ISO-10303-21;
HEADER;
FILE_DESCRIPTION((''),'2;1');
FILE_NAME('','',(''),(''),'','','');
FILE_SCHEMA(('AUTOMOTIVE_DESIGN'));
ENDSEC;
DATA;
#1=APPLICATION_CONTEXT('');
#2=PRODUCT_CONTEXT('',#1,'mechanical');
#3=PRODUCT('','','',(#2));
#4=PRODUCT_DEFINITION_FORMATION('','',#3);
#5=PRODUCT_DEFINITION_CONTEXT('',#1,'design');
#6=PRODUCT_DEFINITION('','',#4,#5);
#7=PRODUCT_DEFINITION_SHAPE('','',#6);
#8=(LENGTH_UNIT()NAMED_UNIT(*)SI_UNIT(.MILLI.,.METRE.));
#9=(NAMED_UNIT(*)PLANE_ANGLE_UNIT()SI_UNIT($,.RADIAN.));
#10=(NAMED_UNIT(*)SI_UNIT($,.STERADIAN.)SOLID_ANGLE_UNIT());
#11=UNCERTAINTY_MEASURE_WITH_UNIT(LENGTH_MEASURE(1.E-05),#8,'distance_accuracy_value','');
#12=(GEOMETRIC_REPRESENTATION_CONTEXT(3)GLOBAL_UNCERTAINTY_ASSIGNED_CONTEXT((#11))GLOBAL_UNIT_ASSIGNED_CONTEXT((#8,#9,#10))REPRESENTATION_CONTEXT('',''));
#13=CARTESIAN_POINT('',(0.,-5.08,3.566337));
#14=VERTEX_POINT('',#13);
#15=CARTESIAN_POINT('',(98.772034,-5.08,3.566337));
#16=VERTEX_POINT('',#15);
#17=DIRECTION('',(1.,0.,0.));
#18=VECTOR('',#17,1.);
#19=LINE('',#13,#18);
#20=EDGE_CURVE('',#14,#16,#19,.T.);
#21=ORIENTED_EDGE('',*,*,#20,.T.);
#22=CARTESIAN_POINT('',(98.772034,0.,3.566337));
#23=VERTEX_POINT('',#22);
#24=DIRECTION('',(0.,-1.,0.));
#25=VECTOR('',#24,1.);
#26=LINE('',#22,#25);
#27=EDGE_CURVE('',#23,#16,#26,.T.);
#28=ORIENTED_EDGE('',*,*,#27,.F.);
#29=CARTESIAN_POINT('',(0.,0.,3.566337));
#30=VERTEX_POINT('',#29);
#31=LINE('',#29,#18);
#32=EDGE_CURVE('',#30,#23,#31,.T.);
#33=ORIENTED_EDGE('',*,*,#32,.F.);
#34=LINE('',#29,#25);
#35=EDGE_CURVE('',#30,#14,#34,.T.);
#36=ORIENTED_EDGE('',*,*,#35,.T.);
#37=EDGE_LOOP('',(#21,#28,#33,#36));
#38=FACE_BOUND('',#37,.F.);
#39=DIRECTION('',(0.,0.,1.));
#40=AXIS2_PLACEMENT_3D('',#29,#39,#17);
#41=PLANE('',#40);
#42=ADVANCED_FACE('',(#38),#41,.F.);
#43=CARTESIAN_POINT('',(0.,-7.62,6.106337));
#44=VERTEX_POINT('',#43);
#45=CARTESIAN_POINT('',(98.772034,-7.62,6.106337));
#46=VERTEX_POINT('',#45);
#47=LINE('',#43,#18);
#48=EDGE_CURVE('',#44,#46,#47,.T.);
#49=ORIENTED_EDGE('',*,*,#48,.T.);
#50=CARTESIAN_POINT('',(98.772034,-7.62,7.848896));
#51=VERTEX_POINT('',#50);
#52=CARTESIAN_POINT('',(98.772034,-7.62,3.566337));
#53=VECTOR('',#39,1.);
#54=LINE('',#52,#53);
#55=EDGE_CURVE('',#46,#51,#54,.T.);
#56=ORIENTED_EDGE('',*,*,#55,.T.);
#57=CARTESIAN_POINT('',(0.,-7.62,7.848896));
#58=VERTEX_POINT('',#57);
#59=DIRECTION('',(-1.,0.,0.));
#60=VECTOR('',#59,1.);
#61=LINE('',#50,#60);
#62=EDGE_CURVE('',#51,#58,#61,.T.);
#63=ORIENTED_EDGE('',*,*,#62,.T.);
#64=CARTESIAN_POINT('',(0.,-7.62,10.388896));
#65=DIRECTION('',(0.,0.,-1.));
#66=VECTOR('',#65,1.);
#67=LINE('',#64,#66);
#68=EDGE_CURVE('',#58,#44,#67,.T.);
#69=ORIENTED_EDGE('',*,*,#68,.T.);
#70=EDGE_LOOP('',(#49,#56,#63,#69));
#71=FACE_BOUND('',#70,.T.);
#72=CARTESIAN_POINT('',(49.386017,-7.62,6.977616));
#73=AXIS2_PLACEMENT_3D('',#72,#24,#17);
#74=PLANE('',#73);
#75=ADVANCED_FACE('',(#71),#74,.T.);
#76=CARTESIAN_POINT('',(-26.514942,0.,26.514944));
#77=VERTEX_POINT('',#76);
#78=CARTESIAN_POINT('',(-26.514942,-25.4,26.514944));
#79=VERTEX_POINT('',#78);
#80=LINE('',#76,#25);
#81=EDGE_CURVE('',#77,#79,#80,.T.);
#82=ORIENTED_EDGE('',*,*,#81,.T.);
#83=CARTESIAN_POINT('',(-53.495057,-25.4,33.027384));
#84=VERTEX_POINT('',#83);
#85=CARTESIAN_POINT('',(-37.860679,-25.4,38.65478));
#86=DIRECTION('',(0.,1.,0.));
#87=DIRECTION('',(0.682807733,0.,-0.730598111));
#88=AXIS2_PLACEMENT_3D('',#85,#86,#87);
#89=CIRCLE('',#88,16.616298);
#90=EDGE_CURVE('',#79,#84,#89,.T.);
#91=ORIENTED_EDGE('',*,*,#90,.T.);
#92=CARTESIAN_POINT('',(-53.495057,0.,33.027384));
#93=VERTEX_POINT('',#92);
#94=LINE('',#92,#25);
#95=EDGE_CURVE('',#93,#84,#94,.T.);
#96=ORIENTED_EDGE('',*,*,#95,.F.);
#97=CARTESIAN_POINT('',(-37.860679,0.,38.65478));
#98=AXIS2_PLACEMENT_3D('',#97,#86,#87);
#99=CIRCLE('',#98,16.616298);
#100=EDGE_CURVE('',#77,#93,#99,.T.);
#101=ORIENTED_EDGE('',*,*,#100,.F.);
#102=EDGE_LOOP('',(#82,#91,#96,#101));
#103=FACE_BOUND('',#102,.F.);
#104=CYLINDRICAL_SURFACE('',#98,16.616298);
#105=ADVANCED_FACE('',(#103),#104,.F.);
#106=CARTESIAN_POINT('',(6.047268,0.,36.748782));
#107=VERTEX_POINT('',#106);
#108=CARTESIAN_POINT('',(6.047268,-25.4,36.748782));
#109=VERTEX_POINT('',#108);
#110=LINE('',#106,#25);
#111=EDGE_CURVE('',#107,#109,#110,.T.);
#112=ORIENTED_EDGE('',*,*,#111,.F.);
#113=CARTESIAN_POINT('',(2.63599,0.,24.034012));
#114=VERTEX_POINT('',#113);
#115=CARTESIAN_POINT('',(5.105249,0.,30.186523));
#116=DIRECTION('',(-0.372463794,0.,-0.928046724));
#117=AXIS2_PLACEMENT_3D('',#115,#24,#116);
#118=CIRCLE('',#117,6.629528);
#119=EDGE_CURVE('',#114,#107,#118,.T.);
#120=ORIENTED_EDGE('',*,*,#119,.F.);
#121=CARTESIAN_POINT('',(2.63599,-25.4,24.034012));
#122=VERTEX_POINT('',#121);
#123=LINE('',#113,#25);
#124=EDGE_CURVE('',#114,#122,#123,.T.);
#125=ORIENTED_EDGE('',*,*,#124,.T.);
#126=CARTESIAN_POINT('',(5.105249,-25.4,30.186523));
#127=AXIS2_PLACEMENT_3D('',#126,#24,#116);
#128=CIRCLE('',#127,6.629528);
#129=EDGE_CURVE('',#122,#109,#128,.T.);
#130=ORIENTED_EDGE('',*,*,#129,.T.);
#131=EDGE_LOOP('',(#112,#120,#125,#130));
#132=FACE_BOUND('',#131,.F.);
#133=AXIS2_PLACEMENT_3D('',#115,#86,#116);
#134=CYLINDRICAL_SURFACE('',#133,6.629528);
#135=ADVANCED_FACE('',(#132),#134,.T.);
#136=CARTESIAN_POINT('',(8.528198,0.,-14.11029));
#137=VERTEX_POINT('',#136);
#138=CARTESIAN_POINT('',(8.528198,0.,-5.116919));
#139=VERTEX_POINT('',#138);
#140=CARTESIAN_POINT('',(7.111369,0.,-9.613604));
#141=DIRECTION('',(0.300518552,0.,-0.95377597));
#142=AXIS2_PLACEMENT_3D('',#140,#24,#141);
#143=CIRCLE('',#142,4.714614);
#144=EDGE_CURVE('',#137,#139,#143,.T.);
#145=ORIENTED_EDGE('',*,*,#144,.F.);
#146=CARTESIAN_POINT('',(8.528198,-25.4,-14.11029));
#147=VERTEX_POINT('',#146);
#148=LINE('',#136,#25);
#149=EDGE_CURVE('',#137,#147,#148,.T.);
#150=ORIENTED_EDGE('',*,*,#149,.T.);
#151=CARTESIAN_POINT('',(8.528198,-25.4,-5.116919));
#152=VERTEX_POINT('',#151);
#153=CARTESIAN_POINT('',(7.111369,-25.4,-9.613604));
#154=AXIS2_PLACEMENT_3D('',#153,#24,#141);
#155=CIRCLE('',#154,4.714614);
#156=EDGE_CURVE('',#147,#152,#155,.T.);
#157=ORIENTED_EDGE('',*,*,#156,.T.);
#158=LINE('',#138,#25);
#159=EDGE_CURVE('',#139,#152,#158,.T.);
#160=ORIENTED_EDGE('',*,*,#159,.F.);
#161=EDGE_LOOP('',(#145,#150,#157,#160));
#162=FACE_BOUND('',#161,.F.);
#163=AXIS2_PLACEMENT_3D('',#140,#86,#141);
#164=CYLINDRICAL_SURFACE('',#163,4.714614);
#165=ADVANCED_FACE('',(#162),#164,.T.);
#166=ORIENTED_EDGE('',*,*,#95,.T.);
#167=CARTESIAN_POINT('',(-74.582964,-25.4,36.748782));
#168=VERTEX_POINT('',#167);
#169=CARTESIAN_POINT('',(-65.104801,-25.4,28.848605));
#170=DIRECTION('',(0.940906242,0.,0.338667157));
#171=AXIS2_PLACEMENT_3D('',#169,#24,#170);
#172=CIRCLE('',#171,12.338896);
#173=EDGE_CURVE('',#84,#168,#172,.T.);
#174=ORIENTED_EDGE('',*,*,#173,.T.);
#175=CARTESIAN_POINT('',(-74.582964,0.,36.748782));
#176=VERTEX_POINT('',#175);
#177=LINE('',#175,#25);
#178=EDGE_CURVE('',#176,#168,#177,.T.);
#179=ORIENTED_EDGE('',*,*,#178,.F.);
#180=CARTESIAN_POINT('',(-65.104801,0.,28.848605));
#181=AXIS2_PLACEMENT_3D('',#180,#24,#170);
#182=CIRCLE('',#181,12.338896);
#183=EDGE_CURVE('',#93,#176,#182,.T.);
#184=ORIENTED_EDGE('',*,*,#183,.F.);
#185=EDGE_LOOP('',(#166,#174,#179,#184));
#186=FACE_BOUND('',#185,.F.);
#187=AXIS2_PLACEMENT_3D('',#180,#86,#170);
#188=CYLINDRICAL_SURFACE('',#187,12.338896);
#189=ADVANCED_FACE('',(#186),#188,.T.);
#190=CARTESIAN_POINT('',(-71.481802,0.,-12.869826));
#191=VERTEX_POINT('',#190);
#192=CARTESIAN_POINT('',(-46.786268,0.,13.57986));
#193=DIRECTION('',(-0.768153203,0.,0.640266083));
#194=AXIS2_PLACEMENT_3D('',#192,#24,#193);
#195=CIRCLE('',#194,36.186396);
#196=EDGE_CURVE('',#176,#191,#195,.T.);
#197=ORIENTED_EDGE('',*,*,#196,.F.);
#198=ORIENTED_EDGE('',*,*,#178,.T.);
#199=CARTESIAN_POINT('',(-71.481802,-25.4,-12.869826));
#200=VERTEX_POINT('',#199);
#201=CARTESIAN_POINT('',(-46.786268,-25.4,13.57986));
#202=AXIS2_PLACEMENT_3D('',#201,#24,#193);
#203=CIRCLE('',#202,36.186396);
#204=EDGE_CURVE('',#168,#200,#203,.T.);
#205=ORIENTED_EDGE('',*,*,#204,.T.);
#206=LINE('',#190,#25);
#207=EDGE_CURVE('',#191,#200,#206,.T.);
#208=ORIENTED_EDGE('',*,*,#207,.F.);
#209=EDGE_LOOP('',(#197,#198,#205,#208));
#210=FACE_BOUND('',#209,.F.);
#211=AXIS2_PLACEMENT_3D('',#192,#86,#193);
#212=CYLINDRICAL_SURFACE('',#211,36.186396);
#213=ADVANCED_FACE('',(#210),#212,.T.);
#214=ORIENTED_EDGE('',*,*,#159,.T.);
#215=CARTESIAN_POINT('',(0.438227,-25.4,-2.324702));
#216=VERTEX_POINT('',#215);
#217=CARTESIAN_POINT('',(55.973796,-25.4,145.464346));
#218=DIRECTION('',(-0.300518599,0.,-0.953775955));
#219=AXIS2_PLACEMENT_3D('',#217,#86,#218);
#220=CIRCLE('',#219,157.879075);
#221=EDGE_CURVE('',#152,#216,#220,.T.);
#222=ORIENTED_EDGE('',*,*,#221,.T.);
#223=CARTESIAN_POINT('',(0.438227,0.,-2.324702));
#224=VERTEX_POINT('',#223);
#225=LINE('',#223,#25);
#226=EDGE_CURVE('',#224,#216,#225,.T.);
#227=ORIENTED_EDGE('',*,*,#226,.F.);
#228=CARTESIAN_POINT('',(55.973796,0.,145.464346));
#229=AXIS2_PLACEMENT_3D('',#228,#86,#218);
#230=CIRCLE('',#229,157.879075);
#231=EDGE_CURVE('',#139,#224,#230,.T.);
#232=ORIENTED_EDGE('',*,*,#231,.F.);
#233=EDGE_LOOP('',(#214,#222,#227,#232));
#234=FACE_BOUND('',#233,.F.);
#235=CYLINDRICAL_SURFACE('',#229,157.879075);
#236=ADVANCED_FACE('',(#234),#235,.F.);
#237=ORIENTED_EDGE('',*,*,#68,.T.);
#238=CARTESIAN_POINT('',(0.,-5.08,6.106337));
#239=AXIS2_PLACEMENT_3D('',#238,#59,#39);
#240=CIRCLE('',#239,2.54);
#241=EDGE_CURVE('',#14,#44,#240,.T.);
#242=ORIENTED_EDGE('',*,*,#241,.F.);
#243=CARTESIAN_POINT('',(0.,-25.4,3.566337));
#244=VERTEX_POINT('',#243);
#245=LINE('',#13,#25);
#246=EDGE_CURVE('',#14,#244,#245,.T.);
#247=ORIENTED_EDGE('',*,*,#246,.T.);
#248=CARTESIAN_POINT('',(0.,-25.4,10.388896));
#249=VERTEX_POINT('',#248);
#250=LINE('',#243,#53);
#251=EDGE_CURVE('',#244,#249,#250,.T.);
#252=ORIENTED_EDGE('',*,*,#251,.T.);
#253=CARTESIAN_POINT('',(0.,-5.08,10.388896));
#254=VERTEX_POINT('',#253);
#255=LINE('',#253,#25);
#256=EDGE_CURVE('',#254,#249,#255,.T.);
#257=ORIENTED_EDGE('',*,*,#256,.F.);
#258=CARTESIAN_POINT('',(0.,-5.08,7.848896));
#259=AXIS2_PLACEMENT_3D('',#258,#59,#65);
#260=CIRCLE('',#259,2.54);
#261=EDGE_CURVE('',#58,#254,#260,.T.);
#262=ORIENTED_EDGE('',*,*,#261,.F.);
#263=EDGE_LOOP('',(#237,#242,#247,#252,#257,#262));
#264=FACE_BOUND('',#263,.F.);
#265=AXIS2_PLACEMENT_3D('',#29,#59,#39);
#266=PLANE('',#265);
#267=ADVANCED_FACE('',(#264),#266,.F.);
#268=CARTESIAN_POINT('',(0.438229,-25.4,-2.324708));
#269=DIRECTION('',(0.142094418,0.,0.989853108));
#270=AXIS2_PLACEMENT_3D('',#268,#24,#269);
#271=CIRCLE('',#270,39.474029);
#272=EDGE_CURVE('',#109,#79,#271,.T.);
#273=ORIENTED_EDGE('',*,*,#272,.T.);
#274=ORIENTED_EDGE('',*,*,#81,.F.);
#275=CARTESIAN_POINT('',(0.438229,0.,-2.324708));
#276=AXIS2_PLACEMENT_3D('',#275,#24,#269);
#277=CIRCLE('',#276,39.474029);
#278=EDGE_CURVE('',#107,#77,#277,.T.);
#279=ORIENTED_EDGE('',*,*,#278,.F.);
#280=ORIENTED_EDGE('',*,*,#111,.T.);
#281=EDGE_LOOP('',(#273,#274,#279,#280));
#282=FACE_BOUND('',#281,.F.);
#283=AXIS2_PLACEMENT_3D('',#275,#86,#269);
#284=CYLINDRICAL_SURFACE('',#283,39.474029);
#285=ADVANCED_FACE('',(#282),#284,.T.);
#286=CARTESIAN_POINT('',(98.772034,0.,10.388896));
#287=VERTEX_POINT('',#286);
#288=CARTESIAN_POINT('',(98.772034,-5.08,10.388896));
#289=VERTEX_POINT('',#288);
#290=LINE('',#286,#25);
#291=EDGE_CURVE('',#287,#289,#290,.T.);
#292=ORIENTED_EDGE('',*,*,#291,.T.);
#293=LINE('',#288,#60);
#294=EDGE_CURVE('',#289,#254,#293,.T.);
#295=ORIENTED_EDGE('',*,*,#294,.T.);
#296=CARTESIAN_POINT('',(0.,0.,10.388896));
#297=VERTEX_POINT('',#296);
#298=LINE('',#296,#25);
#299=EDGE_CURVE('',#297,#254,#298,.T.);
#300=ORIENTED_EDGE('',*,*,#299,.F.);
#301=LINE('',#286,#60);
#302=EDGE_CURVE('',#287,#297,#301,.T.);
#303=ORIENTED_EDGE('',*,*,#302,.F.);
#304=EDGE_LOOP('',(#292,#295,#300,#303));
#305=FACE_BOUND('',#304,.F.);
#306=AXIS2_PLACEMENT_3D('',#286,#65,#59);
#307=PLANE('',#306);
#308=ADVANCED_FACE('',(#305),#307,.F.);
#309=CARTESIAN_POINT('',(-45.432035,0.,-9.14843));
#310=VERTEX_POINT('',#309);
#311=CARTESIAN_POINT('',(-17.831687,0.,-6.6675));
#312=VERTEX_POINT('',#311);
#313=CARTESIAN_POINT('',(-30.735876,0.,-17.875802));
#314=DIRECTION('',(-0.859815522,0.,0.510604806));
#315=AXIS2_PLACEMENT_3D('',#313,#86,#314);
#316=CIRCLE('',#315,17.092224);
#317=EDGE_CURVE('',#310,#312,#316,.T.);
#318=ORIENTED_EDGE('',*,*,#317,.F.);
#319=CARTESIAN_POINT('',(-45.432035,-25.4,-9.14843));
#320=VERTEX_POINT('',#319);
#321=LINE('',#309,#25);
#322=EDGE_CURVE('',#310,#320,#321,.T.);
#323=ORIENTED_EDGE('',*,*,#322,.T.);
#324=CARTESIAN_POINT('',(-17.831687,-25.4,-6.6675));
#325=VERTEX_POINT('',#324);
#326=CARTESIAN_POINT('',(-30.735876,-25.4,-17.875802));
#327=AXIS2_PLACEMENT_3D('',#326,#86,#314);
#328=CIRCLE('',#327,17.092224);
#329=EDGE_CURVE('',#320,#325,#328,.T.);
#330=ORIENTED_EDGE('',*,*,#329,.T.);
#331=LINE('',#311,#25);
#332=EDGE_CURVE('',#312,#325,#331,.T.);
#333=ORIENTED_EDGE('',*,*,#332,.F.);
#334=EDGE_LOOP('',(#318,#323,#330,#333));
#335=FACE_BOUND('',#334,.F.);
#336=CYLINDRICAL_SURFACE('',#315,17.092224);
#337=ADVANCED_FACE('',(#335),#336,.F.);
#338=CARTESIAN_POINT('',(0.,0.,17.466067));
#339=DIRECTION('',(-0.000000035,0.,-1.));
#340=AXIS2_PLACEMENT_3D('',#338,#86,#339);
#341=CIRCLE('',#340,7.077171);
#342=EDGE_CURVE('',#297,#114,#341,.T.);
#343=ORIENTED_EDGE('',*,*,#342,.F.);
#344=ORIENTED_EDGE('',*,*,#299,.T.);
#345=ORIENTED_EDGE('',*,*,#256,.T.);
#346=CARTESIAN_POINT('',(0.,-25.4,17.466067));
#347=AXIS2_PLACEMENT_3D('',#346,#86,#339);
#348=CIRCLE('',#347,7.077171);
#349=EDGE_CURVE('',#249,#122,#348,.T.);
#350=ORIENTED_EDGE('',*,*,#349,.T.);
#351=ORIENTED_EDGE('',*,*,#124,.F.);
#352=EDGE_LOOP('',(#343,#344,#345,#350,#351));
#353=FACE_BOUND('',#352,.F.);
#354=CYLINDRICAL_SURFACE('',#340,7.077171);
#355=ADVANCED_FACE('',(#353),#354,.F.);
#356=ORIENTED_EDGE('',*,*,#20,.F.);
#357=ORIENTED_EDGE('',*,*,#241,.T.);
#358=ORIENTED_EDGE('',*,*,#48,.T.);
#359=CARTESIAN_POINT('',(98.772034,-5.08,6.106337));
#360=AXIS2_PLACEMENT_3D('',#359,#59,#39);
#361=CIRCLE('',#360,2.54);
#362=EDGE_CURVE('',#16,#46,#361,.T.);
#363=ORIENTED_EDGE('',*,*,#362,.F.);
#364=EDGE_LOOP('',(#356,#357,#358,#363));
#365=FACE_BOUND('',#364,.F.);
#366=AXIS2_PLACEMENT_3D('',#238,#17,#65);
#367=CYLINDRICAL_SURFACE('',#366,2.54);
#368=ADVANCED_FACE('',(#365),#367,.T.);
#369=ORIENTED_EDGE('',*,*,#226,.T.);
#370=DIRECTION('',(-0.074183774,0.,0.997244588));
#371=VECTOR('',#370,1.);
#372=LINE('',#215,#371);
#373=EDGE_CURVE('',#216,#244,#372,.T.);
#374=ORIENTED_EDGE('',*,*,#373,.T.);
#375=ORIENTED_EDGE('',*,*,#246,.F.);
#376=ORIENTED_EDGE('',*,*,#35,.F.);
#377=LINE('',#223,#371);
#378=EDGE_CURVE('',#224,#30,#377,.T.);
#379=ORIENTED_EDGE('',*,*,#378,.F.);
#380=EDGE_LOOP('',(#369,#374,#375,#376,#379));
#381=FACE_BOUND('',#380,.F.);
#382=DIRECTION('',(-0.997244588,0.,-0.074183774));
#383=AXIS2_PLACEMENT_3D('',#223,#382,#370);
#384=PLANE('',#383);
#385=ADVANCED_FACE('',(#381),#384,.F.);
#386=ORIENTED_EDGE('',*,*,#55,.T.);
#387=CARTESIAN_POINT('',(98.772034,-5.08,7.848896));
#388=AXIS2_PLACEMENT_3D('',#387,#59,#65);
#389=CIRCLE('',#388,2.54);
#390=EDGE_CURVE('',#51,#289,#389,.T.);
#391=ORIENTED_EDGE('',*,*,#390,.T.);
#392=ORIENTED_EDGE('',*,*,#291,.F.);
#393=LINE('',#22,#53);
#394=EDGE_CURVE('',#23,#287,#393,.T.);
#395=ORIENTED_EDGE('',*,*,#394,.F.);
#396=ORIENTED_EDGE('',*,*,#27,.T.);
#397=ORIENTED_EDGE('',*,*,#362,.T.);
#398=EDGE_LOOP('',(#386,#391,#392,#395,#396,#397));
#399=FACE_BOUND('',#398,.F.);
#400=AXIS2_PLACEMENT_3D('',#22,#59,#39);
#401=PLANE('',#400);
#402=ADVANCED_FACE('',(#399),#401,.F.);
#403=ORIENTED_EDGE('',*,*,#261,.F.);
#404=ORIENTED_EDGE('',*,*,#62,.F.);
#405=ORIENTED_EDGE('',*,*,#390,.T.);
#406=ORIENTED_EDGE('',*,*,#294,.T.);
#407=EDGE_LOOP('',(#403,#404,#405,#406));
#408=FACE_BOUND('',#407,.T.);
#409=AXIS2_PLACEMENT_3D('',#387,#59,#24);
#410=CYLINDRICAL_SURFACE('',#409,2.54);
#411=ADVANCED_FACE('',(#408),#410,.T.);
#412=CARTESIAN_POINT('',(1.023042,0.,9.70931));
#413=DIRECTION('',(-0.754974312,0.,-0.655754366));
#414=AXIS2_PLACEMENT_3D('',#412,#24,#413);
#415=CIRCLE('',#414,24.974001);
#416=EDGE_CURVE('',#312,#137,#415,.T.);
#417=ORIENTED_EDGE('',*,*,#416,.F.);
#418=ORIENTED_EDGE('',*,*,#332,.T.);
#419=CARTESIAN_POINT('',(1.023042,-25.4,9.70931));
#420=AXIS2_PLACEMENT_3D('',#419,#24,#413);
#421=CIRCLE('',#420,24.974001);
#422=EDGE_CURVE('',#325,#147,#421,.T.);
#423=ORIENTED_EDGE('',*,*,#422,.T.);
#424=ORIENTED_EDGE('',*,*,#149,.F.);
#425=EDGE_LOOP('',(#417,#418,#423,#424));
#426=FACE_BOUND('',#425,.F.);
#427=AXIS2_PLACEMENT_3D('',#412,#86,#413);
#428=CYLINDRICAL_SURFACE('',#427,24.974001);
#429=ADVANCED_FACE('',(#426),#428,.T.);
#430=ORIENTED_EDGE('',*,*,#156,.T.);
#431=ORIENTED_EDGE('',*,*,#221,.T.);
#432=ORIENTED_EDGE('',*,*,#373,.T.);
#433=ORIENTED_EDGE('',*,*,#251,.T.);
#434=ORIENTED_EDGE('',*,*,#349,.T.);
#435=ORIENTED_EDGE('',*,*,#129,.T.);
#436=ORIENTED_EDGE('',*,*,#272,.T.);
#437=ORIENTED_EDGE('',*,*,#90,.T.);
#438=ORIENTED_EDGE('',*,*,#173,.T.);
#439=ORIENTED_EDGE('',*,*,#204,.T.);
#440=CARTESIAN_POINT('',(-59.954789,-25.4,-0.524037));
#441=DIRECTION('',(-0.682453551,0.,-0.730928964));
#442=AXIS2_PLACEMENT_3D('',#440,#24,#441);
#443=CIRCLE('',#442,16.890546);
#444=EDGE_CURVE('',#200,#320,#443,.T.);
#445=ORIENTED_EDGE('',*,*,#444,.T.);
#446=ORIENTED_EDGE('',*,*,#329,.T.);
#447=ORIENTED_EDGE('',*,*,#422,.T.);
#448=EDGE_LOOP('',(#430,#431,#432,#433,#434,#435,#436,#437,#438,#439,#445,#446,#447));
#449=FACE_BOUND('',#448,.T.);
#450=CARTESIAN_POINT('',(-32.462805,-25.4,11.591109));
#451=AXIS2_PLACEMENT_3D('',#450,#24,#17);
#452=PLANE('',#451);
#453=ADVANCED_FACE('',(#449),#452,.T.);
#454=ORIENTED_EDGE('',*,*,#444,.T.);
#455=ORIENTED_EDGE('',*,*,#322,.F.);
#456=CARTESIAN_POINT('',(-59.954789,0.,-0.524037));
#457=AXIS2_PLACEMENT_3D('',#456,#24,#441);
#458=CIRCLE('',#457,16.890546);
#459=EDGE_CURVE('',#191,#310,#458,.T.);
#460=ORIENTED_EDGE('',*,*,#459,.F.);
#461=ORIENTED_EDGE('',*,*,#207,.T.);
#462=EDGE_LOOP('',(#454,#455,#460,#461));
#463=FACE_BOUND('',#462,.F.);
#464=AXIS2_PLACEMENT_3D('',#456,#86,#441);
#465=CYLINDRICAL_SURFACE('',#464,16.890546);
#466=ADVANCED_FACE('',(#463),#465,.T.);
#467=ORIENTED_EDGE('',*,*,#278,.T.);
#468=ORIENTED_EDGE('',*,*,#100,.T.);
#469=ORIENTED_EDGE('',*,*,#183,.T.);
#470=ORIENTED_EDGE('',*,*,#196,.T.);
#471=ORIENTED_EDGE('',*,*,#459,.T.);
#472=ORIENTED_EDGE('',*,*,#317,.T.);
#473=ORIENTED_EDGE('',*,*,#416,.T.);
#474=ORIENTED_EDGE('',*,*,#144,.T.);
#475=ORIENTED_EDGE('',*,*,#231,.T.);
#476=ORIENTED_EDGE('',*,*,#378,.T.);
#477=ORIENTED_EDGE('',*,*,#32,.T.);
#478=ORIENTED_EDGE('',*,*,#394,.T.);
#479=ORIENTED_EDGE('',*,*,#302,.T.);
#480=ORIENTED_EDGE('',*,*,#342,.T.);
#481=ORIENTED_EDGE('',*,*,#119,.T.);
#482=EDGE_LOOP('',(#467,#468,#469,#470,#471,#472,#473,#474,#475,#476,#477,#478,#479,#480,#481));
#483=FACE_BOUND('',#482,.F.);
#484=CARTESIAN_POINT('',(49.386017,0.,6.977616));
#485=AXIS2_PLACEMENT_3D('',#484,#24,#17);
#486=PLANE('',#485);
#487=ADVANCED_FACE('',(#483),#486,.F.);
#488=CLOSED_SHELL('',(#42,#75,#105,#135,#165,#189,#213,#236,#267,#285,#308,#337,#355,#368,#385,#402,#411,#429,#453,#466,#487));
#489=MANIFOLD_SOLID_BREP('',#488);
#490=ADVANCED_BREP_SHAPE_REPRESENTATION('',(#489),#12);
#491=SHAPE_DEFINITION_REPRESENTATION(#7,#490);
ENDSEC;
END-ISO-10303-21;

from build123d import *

# Parameters (mm, degrees)
F1_DEPTH = 25.4
F2_DEPTH = 7.62
F3_R     = 2.54


with BuildPart() as f1:
    # F0 (on Front) → F1 (new body)
    with BuildSketch(Plane.XZ):
        with BuildLine():
            Line((0, 3.566337), (0, 10.388896))
            ThreePointArc((0, 10.388896), (-6.948698, 18.80843), (2.63599, 24.034012))
            ThreePointArc((2.63599, 24.034012), (11.508331, 28.468624), (6.047268, 36.748782))
            ThreePointArc((6.047268, 36.748782), (-11.397136, 35.333267), (-26.514942, 26.514944))
            ThreePointArc((-26.514942, 26.514944), (-41.759535, 22.502372), (-53.495057, 33.027384))
            ThreePointArc((-53.495057, 33.027384), (-62.960481, 40.999747), (-74.582964, 36.748782))
            ThreePointArc((-74.582964, 36.748782), (-82.902194, 11.322615), (-71.481802, -12.869826))
            ThreePointArc((-71.481802, -12.869826), (-57.566104, -17.244824), (-45.432035, -9.14843))
            ThreePointArc((-45.432035, -9.14843), (-32.266086, -0.852213), (-17.831687, -6.6675))
            ThreePointArc((-17.831687, -6.6675), (-5.763119, -14.325014), (8.528198, -14.11029))
            ThreePointArc((8.528198, -14.11029), (11.825983, -9.613605), (8.528198, -5.116919))
            ThreePointArc((8.528198, -5.116919), (4.464289, -3.775638), (0.438227, -2.324702))
            Line((0.438227, -2.324702), (0, 3.566337))
        make_face()
    extrude(amount=F1_DEPTH)

    # F0 (on Front) → F2 (join)
    with BuildSketch(Plane.XZ):
        Polygon((91.329239, 10.388896), (0, 10.388896), (0, 3.566337), (98.772034, 3.566337), (98.772034, 10.388896), align=None)
    extrude(amount=F2_DEPTH)

    # F3
    f3_edges = [f1.edges().sort_by_distance(p)[0] for p in [
        (49.386017, -7.62, 3.566337),
        (49.386017, -7.62, 10.388896),
    ]]
    fillet(f3_edges, radius=F3_R)


solid = f1.part
